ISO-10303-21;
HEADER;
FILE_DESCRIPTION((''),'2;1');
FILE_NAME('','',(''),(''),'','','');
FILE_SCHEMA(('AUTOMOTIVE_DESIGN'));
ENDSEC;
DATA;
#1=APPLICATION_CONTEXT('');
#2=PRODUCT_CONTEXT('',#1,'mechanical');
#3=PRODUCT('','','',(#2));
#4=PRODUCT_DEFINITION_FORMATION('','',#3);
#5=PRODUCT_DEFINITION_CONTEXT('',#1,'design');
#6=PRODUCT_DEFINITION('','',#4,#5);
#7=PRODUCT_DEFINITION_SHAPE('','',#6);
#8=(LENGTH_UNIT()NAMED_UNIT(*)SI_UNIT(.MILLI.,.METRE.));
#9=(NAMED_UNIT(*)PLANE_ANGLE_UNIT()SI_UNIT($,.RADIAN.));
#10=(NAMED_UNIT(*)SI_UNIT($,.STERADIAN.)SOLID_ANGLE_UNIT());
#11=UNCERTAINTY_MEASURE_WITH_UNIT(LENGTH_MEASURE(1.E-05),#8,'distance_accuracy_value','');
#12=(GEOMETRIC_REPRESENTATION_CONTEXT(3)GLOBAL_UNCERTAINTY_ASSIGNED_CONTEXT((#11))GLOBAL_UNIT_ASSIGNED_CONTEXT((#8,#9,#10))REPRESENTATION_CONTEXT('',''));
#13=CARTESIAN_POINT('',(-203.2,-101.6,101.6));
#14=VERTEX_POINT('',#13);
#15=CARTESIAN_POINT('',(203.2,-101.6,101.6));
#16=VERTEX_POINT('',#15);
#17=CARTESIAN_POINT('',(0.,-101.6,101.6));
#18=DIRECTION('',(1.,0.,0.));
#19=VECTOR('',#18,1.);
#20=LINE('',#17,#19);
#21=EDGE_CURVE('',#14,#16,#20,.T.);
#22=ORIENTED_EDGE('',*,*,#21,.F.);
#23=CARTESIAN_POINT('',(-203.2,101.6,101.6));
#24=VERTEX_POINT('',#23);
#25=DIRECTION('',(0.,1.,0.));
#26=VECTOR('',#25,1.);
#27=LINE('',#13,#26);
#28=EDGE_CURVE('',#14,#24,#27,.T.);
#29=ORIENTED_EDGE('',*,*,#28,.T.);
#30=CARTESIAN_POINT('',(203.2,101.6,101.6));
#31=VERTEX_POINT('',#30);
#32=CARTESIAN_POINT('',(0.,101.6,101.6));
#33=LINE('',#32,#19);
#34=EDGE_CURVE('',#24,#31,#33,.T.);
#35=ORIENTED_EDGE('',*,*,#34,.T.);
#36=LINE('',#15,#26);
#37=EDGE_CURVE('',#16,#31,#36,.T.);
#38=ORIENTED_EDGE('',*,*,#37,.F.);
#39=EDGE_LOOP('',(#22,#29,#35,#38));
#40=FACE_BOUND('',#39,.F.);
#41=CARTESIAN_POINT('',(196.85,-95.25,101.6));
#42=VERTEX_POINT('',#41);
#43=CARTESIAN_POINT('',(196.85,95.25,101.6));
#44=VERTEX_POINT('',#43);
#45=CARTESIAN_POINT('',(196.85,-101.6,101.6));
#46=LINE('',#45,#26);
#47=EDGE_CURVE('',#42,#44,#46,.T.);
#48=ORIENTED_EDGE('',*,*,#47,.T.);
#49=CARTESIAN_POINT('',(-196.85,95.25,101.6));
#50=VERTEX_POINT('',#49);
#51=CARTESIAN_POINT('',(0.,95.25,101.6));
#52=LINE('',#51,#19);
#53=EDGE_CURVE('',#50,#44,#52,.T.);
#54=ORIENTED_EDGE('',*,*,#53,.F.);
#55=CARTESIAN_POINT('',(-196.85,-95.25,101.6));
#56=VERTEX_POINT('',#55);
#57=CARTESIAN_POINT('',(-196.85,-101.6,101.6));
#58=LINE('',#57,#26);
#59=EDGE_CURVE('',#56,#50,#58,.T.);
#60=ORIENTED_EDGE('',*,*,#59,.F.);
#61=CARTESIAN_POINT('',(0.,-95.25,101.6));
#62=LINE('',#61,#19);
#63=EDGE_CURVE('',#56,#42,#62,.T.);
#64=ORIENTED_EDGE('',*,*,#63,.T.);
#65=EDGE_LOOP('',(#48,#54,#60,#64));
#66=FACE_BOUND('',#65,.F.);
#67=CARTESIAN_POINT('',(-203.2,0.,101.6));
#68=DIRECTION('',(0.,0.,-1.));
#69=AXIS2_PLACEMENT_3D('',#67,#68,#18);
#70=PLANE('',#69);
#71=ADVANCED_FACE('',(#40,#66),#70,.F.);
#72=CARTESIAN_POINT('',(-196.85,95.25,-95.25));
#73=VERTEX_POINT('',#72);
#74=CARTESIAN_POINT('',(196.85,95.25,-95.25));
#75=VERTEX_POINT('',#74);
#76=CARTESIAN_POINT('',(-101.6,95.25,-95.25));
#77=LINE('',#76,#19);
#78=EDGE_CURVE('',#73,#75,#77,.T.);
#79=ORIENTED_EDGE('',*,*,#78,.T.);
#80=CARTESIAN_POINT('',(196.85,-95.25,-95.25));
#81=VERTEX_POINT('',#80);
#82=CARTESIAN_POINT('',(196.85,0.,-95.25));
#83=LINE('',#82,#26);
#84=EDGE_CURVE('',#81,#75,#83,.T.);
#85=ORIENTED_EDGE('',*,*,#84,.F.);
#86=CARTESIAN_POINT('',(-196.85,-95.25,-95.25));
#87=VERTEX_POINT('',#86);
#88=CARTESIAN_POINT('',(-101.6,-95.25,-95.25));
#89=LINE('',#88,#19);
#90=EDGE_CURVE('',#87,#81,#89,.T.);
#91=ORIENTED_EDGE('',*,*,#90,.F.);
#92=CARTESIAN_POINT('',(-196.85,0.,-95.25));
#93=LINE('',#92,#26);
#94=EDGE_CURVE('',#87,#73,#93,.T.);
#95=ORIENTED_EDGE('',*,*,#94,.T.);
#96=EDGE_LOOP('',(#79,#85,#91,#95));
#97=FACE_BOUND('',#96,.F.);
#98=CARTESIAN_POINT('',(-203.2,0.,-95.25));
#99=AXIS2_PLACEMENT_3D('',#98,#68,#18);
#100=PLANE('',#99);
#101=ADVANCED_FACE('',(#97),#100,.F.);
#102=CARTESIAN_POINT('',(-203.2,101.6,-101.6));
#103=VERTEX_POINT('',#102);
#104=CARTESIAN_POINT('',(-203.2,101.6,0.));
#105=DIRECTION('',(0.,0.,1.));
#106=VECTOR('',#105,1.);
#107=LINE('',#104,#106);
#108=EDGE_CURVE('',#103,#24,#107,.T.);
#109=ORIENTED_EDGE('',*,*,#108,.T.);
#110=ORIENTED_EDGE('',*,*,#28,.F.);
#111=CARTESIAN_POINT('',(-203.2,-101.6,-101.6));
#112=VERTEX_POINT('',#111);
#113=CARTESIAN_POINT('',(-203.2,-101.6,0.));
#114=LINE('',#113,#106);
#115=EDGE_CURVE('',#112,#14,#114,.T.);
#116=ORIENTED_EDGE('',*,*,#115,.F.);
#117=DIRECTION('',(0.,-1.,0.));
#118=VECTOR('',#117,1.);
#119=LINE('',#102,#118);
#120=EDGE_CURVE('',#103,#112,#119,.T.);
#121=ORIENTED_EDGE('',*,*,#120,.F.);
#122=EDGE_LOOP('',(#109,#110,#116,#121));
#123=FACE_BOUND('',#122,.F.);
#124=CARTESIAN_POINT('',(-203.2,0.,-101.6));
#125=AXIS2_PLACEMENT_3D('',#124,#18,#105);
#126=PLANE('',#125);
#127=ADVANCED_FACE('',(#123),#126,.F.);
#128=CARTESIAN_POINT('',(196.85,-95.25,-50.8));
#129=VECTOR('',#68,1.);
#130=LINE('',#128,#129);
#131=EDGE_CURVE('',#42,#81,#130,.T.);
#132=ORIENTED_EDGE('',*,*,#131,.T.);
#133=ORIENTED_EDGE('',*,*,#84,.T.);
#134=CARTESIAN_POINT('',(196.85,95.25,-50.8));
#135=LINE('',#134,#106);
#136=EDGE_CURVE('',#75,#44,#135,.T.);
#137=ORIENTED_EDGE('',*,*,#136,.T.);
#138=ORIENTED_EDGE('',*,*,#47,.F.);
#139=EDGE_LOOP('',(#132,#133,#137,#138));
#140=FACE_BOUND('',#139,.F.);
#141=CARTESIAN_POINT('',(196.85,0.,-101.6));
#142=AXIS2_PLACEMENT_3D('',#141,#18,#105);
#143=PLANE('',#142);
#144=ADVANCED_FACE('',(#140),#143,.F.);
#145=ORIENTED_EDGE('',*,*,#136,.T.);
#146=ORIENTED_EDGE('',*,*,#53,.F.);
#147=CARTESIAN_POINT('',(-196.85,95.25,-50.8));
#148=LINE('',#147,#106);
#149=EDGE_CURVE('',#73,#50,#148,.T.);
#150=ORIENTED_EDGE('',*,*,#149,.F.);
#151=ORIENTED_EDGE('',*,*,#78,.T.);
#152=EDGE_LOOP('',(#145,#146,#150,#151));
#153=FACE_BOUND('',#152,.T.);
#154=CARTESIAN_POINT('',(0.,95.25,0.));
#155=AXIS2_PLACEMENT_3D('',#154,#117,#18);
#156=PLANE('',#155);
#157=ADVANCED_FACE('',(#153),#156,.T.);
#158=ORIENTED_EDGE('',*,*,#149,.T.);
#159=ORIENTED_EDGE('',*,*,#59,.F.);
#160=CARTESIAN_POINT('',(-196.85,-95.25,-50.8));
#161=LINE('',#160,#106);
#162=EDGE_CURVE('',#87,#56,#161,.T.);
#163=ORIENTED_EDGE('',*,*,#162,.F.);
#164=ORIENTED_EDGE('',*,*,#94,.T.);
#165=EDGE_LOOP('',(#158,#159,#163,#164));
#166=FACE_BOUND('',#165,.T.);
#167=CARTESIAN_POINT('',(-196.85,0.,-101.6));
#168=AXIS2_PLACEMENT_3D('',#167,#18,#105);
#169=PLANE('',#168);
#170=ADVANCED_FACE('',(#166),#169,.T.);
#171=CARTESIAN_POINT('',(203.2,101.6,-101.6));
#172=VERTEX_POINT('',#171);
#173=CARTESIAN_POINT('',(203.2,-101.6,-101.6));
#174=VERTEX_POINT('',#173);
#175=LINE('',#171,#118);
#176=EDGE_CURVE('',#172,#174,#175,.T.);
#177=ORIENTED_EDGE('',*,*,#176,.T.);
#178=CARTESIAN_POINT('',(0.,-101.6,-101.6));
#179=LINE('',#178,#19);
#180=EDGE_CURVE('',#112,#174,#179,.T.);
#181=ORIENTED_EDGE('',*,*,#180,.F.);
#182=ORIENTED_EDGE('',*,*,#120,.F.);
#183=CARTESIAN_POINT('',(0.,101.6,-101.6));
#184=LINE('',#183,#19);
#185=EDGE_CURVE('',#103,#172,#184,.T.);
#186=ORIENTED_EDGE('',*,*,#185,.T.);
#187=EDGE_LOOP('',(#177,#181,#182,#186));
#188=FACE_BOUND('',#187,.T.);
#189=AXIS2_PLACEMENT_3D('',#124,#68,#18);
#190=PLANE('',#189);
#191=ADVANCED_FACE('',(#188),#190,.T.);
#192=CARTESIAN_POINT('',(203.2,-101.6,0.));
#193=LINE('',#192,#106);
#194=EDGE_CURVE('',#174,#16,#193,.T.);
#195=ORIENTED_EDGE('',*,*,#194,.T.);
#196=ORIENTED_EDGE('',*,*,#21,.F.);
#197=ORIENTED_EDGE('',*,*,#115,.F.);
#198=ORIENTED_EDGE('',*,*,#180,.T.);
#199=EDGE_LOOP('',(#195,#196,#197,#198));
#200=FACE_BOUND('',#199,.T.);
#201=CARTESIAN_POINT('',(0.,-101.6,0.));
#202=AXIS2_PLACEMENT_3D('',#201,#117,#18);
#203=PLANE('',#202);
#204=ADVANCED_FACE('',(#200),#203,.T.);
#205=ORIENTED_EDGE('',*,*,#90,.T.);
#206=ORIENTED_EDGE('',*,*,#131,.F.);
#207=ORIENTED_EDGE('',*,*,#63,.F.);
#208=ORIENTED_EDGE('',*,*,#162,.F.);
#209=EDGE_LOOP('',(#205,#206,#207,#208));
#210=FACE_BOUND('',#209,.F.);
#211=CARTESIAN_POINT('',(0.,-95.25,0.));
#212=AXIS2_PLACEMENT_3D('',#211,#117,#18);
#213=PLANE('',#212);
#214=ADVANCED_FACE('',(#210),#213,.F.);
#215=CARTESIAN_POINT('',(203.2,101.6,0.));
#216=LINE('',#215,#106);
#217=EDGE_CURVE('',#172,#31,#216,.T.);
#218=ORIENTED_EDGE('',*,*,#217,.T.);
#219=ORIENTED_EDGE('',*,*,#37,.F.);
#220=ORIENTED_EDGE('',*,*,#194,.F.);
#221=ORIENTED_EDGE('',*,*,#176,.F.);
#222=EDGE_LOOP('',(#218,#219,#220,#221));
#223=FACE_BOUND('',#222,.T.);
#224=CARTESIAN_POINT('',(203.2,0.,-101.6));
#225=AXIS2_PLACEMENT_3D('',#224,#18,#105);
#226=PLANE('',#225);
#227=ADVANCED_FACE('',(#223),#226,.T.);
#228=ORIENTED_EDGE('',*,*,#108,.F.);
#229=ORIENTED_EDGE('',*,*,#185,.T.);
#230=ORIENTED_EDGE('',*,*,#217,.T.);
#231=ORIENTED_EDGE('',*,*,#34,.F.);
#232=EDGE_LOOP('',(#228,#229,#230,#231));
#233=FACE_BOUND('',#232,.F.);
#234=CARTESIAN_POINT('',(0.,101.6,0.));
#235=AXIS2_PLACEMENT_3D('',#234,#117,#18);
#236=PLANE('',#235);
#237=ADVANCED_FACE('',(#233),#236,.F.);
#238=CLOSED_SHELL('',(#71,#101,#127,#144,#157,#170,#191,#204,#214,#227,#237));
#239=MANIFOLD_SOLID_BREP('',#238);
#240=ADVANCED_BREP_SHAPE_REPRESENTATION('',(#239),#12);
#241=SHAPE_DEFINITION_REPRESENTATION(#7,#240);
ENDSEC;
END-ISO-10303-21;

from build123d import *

# Parameters (mm, degrees)
F0_W     = 406.4
F0_H     = 203.2
F1_DEPTH = 101.6
F2_T     = -6.35


with BuildPart() as f1:
    # F0 (on Front) → F1 (new body, symmetric)
    with BuildSketch(Plane.XZ):
        Rectangle(F0_W, F0_H)
    extrude(amount=F1_DEPTH, both=True)

    # F2
    f2_openings = [f1.faces().sort_by_distance(p)[0] for p in [
        (0, 0, 101.6),
    ]]
    offset(amount=F2_T, openings=f2_openings)


solid = f1.part
